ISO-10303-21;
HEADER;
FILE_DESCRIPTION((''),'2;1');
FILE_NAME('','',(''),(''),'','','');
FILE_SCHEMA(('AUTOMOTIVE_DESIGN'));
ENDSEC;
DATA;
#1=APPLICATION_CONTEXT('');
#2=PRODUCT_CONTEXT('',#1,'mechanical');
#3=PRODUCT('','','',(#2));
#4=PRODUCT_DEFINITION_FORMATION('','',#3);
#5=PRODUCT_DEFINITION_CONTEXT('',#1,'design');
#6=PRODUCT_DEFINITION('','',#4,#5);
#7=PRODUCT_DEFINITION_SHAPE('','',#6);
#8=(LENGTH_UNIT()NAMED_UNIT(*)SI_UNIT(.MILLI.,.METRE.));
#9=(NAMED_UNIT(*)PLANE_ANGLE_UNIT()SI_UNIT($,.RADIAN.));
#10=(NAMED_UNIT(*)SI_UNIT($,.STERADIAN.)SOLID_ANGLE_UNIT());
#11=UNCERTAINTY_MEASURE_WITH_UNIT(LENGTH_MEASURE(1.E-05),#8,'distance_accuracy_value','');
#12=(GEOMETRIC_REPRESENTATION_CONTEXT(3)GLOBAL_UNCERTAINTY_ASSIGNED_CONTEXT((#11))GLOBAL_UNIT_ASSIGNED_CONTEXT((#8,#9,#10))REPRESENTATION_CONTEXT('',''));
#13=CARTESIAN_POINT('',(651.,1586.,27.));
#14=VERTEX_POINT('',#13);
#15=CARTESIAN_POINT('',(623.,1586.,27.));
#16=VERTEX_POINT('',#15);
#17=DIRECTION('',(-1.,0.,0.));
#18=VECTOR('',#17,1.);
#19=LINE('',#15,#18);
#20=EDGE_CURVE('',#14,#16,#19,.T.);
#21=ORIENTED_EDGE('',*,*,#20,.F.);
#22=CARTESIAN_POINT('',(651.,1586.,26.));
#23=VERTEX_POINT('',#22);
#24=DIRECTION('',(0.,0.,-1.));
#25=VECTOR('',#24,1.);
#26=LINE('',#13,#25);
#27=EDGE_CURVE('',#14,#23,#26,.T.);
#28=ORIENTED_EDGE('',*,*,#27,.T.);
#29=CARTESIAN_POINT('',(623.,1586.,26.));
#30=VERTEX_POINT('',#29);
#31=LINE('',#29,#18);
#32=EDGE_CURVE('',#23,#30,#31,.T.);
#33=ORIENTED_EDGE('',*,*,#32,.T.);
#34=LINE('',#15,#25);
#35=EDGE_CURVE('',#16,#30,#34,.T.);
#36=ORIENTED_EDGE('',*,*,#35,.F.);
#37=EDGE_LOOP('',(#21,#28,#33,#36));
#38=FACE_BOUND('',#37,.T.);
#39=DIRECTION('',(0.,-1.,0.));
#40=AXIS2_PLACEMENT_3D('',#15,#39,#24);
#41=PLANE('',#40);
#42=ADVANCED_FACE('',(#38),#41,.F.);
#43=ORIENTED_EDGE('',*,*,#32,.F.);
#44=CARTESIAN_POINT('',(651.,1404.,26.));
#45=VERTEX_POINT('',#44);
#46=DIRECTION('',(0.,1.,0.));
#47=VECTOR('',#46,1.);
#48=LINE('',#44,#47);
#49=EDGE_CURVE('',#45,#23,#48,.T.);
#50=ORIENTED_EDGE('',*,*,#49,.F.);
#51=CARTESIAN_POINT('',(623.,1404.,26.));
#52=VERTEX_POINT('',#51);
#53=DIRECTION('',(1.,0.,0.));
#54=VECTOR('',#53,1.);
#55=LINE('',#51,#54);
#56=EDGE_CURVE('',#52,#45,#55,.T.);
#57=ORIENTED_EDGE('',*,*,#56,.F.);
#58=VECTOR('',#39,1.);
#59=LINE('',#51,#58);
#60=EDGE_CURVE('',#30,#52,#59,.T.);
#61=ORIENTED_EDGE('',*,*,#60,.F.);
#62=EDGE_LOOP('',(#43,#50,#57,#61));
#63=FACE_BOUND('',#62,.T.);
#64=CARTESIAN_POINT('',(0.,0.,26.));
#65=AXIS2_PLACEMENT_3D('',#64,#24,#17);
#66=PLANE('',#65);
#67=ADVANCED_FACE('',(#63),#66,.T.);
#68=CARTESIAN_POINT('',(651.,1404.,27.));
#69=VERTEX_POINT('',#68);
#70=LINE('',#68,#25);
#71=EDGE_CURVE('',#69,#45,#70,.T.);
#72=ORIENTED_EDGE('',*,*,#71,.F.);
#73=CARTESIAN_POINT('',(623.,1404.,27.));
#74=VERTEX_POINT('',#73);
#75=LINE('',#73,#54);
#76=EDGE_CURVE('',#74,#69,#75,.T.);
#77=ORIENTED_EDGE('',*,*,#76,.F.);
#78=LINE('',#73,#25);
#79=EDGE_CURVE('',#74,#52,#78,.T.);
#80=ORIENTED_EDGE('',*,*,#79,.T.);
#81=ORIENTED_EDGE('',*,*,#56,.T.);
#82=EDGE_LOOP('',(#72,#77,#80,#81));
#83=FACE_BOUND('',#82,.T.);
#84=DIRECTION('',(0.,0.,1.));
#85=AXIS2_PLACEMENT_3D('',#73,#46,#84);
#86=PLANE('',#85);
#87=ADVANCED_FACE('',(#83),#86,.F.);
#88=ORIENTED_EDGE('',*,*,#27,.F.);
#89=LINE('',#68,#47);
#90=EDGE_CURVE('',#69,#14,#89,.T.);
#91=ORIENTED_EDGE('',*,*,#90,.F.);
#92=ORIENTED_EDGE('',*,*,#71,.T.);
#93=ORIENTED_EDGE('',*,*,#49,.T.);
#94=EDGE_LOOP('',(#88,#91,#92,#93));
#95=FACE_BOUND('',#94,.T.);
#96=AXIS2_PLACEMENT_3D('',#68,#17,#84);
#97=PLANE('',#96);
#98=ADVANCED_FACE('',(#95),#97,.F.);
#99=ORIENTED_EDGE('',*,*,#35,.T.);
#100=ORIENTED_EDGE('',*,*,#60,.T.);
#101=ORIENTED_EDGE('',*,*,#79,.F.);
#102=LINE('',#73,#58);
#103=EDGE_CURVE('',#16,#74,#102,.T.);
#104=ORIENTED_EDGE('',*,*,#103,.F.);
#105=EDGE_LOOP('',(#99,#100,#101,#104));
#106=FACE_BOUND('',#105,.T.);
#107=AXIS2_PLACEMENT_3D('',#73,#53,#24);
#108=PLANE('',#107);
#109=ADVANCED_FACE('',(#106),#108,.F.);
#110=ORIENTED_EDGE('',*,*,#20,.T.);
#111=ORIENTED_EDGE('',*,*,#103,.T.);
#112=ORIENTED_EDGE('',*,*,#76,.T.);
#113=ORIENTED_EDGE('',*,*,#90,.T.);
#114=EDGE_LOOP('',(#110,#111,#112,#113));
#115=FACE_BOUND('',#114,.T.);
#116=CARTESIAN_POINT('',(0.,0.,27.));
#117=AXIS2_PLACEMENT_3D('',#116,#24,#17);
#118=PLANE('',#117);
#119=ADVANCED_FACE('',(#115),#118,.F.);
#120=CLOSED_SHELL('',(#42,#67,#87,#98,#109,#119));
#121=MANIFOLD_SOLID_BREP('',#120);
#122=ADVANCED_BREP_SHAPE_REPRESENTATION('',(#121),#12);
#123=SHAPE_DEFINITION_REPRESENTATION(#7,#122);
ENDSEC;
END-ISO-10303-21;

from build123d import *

# Parameters (mm, degrees)
PACK_SARJOR_KAPISI_KULP_CUKURU_1_START = 26
SKETCH1_W                              = 28
SKETCH1_H                              = 182
PACK_SARJOR_KAPISI_KULP_CUKURU_1_DEPTH = 1


with BuildPart() as part:
    # Sketch1 → PACK_sarjor_kapisi_kulp_cukuru_1 (new body)
    with BuildSketch(Plane.XY.offset(PACK_SARJOR_KAPISI_KULP_CUKURU_1_START)):
        with Locations((637, 1495)):
            Rectangle(SKETCH1_W, SKETCH1_H)
    extrude(amount=PACK_SARJOR_KAPISI_KULP_CUKURU_1_DEPTH)


solid = part.part
